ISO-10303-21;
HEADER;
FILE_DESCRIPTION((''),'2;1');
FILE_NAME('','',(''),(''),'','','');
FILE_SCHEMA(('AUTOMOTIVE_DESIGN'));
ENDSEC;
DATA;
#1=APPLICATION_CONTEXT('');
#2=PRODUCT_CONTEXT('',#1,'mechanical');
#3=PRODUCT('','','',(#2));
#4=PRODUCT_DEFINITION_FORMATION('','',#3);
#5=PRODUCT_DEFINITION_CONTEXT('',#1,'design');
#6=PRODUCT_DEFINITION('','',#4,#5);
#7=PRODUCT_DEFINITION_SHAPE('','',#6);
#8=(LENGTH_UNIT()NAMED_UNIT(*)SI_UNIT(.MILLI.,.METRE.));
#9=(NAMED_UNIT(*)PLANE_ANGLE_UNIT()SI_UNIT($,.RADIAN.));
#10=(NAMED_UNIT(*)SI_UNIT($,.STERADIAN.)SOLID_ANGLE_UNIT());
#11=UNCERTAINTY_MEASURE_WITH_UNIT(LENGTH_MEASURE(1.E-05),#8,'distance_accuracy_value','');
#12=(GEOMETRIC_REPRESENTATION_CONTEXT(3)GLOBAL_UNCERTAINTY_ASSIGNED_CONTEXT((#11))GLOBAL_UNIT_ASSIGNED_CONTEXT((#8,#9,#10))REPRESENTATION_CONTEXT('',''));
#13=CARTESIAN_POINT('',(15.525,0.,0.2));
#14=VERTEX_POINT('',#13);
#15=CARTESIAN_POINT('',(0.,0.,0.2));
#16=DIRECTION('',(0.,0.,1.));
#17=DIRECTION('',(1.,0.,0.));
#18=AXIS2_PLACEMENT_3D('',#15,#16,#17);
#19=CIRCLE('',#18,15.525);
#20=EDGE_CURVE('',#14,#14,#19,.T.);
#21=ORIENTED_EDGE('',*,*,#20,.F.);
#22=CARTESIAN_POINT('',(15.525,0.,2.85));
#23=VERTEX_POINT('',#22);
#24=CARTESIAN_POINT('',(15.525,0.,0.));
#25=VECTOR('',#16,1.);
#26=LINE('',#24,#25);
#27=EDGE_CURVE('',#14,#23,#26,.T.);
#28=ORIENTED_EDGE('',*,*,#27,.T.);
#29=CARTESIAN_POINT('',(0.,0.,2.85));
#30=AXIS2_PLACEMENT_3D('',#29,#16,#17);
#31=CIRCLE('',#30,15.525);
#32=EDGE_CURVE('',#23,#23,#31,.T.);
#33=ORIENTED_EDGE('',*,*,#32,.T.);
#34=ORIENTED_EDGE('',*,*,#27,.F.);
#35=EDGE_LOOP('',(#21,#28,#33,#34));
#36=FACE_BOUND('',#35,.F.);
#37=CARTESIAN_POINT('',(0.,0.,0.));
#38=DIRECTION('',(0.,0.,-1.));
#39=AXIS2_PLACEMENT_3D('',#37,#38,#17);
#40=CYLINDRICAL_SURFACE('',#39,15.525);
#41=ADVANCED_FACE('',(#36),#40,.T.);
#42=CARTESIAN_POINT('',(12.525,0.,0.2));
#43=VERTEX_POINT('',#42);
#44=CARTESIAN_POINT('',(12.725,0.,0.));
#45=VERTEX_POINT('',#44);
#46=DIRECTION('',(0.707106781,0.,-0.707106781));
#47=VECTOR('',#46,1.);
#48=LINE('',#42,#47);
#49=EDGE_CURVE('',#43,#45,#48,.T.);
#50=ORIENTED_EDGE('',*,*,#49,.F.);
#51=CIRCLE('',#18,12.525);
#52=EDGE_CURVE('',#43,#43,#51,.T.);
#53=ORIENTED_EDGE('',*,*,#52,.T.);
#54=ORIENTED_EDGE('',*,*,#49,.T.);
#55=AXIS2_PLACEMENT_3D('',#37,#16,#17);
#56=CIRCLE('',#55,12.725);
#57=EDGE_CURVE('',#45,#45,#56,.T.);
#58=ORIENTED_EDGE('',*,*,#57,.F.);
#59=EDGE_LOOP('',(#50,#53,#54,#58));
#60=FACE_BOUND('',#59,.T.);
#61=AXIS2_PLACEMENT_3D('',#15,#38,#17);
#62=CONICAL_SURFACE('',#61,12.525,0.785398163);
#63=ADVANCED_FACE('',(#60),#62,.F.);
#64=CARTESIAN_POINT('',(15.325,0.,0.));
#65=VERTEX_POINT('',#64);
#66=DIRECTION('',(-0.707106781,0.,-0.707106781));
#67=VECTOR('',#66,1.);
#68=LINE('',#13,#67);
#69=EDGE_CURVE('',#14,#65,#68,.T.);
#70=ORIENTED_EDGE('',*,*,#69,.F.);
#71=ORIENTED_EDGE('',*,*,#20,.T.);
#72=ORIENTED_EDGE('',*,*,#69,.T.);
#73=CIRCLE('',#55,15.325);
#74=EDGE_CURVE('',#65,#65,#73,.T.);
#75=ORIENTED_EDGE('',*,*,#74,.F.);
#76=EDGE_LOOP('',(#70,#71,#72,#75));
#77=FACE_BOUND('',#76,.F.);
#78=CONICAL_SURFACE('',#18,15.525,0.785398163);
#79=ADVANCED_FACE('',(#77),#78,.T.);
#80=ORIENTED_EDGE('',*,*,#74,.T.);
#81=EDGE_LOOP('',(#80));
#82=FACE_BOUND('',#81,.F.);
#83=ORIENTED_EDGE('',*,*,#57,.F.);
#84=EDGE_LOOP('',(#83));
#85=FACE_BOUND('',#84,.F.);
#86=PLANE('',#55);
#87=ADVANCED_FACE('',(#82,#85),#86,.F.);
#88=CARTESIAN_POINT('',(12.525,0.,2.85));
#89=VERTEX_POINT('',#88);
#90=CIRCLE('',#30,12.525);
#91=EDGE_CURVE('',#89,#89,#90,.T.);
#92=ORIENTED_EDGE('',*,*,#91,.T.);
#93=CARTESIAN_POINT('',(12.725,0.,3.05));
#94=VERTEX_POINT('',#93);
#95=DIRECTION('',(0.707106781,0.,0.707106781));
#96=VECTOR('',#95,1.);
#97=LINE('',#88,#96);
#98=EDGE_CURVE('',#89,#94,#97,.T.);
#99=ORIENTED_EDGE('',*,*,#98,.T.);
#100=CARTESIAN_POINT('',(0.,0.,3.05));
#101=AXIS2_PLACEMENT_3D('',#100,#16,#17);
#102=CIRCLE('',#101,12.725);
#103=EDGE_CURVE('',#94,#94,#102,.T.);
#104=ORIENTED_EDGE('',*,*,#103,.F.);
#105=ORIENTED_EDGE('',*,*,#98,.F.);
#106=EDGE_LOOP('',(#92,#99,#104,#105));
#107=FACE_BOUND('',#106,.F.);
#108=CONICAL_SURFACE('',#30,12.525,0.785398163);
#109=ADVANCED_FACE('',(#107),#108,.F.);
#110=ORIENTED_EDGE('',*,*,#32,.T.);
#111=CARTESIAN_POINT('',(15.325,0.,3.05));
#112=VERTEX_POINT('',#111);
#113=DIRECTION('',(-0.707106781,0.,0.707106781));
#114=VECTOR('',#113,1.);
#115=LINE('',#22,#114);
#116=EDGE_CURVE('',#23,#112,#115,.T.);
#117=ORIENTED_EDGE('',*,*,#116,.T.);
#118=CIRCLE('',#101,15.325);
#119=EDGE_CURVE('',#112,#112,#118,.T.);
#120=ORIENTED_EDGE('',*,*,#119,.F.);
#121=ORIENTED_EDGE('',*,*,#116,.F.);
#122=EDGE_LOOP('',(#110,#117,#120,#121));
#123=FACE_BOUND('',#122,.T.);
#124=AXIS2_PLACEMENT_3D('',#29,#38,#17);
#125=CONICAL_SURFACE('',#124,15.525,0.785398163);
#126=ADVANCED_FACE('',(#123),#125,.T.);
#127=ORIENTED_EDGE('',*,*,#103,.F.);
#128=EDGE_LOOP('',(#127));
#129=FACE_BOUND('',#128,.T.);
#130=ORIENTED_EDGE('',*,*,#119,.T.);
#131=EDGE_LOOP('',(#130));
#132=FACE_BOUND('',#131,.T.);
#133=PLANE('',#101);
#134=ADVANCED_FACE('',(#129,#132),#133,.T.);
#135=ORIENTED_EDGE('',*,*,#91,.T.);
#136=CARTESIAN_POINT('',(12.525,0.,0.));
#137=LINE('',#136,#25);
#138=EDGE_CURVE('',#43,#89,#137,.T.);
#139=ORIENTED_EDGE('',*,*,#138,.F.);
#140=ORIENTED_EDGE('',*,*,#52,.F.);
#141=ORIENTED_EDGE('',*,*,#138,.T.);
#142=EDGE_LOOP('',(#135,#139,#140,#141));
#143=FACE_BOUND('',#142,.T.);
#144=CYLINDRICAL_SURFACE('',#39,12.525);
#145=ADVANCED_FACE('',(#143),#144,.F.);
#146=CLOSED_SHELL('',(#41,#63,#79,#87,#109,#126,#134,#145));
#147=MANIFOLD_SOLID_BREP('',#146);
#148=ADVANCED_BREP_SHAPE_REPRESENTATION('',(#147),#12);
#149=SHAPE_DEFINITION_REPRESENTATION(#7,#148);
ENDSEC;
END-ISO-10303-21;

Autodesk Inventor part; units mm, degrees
ref_plane "YZ Plane" through (0, 0, 0) normal (1, 0, 0) x (0, 1, 0)
ref_plane "XZ Plane" through (0, 0, 0) normal (0, 1, 0) x (-1, 0, 0)
ref_plane "XY Plane" through (0, 0, 0) normal (0, 0, 1) x (1, 0, 0)
sketch "草圖1" plane through (0, 0, 0) normal (0, 0, 1) x (1, 0, 0)
  circle A0 centre (0, 0) radius 12.525
  circle A1 centre (0, 0) radius 15.525
  dimension "d0" = 25.05
  dimension "d11" = 31.05
  dimension "d12" = 3
extrude "擠出1" add sketch "草圖1" along normal blind 3.05
chamfer "倒角1" distance 0.2 angle 45 4 edges at (-15.525, 0, 3.05) (-15.525, 0, 0) (-12.525, 0, 0) (-12.525, 0, 3.05)
